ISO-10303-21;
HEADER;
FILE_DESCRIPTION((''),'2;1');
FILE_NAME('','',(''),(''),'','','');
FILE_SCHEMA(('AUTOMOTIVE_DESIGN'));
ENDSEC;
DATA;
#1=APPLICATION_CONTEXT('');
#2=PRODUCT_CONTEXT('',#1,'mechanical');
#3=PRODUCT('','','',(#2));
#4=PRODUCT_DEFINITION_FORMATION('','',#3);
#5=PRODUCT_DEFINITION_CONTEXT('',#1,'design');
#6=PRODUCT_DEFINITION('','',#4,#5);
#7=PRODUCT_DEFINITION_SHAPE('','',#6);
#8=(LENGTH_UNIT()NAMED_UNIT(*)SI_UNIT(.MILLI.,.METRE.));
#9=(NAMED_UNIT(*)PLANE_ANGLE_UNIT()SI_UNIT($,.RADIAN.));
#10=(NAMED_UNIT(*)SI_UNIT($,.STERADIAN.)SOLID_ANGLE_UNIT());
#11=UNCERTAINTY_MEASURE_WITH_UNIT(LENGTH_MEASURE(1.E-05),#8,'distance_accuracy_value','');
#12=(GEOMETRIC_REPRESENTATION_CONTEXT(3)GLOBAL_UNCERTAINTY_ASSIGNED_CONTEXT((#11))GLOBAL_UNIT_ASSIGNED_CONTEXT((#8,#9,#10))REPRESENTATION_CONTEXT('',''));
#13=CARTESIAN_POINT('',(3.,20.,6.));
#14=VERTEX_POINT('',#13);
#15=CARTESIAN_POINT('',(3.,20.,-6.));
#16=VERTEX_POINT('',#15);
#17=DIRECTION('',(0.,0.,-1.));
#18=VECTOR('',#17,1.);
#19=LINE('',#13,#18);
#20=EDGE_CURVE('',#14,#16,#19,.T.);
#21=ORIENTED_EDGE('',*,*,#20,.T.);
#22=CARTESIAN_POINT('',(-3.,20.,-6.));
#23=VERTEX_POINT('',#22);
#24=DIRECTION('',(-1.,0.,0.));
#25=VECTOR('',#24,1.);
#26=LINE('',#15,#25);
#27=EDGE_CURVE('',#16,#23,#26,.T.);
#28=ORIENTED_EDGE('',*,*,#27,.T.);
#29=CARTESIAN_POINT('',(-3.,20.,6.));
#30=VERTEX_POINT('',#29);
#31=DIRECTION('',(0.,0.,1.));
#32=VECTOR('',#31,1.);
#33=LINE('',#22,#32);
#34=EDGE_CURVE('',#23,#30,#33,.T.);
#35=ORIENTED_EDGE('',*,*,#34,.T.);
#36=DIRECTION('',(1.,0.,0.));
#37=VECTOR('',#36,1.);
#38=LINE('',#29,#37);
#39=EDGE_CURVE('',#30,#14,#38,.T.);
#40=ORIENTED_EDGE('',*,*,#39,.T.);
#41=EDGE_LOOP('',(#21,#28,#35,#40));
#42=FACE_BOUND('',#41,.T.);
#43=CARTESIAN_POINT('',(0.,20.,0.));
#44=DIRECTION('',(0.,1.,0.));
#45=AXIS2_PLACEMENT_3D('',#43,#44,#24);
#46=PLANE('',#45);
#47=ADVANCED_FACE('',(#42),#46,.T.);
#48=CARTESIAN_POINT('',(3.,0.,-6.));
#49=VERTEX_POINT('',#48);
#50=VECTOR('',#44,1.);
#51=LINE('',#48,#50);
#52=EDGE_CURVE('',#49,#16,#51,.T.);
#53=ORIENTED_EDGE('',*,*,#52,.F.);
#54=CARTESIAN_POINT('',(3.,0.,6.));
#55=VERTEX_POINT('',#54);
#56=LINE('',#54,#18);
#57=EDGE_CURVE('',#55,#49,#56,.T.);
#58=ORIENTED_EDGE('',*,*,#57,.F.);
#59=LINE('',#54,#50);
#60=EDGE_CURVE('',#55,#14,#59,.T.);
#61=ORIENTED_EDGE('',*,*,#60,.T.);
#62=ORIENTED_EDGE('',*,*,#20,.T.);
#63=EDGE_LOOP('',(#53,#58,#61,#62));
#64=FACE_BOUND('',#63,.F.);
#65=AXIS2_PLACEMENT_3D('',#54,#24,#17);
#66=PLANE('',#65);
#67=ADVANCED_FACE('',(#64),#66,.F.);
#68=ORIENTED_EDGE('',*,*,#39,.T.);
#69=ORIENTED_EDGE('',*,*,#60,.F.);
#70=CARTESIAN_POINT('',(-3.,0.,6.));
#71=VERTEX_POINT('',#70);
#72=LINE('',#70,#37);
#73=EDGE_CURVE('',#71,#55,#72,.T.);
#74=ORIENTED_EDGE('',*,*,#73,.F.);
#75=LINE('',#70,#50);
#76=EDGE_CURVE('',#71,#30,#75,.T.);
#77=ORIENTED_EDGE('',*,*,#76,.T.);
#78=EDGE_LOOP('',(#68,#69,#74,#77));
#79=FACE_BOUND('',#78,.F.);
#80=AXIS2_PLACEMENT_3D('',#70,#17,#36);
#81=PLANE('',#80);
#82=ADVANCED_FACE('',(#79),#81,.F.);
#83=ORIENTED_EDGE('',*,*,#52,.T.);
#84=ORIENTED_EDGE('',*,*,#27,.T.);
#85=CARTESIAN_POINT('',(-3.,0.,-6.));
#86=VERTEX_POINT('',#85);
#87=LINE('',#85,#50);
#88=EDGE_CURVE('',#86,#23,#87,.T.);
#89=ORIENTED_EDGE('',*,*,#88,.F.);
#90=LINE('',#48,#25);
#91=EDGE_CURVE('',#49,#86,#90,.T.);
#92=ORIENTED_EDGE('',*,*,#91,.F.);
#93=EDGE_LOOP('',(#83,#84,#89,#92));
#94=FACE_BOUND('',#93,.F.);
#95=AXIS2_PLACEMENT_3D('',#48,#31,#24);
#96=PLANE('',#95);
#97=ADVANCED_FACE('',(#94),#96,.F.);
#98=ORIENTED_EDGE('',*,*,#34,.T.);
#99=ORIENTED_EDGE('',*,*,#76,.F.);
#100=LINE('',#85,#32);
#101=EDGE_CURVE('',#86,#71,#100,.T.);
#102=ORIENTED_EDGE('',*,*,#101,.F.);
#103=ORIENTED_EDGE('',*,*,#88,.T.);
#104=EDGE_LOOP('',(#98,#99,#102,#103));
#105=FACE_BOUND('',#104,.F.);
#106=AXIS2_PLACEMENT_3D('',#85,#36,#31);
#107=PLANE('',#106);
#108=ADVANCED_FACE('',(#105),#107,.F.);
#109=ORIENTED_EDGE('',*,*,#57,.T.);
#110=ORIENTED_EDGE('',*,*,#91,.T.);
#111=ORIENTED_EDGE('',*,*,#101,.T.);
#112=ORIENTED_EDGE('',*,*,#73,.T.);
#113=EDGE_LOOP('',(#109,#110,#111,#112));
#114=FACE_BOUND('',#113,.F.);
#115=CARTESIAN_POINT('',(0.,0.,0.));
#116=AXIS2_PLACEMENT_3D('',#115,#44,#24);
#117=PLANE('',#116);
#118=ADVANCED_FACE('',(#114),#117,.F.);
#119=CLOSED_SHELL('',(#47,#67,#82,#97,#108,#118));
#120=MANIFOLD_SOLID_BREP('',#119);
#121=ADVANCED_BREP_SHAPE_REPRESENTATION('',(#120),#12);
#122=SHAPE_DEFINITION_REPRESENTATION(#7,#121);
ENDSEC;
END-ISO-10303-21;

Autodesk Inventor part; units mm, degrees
ref_plane "YZ Plane" through (0, 0, 0) normal (1, 0, 0) x (0, 1, 0)
ref_plane "XZ Plane" through (0, 0, 0) normal (0, 1, 0) x (-1, 0, 0)
ref_plane "XY Plane" through (0, 0, 0) normal (0, 0, 1) x (1, 0, 0)
sketch "Skizze1" plane through (0, 0, 0) normal (0, 1, 0) x (-1, 0, 0)
  line L0 (3, 6) -> (-3, 6)
  line L1 (-3, 6) -> (-3, -6)
  line L2 (-3, -6) -> (3, -6)
  line L3 (3, -6) -> (3, 6)
  line L4 (0, -8.4) -> (0, 8.4) construction
  line L5 (4.2, 0) -> (-4.2, 0) construction
  point P0 (0, 0)
  dimension "d0" = 6
  dimension "d1" = 12
extrude "Extrusion1" add sketch "Skizze1" along normal blind 20
properties part number "Wellennut_Rumpf_Schrauben_Block"
